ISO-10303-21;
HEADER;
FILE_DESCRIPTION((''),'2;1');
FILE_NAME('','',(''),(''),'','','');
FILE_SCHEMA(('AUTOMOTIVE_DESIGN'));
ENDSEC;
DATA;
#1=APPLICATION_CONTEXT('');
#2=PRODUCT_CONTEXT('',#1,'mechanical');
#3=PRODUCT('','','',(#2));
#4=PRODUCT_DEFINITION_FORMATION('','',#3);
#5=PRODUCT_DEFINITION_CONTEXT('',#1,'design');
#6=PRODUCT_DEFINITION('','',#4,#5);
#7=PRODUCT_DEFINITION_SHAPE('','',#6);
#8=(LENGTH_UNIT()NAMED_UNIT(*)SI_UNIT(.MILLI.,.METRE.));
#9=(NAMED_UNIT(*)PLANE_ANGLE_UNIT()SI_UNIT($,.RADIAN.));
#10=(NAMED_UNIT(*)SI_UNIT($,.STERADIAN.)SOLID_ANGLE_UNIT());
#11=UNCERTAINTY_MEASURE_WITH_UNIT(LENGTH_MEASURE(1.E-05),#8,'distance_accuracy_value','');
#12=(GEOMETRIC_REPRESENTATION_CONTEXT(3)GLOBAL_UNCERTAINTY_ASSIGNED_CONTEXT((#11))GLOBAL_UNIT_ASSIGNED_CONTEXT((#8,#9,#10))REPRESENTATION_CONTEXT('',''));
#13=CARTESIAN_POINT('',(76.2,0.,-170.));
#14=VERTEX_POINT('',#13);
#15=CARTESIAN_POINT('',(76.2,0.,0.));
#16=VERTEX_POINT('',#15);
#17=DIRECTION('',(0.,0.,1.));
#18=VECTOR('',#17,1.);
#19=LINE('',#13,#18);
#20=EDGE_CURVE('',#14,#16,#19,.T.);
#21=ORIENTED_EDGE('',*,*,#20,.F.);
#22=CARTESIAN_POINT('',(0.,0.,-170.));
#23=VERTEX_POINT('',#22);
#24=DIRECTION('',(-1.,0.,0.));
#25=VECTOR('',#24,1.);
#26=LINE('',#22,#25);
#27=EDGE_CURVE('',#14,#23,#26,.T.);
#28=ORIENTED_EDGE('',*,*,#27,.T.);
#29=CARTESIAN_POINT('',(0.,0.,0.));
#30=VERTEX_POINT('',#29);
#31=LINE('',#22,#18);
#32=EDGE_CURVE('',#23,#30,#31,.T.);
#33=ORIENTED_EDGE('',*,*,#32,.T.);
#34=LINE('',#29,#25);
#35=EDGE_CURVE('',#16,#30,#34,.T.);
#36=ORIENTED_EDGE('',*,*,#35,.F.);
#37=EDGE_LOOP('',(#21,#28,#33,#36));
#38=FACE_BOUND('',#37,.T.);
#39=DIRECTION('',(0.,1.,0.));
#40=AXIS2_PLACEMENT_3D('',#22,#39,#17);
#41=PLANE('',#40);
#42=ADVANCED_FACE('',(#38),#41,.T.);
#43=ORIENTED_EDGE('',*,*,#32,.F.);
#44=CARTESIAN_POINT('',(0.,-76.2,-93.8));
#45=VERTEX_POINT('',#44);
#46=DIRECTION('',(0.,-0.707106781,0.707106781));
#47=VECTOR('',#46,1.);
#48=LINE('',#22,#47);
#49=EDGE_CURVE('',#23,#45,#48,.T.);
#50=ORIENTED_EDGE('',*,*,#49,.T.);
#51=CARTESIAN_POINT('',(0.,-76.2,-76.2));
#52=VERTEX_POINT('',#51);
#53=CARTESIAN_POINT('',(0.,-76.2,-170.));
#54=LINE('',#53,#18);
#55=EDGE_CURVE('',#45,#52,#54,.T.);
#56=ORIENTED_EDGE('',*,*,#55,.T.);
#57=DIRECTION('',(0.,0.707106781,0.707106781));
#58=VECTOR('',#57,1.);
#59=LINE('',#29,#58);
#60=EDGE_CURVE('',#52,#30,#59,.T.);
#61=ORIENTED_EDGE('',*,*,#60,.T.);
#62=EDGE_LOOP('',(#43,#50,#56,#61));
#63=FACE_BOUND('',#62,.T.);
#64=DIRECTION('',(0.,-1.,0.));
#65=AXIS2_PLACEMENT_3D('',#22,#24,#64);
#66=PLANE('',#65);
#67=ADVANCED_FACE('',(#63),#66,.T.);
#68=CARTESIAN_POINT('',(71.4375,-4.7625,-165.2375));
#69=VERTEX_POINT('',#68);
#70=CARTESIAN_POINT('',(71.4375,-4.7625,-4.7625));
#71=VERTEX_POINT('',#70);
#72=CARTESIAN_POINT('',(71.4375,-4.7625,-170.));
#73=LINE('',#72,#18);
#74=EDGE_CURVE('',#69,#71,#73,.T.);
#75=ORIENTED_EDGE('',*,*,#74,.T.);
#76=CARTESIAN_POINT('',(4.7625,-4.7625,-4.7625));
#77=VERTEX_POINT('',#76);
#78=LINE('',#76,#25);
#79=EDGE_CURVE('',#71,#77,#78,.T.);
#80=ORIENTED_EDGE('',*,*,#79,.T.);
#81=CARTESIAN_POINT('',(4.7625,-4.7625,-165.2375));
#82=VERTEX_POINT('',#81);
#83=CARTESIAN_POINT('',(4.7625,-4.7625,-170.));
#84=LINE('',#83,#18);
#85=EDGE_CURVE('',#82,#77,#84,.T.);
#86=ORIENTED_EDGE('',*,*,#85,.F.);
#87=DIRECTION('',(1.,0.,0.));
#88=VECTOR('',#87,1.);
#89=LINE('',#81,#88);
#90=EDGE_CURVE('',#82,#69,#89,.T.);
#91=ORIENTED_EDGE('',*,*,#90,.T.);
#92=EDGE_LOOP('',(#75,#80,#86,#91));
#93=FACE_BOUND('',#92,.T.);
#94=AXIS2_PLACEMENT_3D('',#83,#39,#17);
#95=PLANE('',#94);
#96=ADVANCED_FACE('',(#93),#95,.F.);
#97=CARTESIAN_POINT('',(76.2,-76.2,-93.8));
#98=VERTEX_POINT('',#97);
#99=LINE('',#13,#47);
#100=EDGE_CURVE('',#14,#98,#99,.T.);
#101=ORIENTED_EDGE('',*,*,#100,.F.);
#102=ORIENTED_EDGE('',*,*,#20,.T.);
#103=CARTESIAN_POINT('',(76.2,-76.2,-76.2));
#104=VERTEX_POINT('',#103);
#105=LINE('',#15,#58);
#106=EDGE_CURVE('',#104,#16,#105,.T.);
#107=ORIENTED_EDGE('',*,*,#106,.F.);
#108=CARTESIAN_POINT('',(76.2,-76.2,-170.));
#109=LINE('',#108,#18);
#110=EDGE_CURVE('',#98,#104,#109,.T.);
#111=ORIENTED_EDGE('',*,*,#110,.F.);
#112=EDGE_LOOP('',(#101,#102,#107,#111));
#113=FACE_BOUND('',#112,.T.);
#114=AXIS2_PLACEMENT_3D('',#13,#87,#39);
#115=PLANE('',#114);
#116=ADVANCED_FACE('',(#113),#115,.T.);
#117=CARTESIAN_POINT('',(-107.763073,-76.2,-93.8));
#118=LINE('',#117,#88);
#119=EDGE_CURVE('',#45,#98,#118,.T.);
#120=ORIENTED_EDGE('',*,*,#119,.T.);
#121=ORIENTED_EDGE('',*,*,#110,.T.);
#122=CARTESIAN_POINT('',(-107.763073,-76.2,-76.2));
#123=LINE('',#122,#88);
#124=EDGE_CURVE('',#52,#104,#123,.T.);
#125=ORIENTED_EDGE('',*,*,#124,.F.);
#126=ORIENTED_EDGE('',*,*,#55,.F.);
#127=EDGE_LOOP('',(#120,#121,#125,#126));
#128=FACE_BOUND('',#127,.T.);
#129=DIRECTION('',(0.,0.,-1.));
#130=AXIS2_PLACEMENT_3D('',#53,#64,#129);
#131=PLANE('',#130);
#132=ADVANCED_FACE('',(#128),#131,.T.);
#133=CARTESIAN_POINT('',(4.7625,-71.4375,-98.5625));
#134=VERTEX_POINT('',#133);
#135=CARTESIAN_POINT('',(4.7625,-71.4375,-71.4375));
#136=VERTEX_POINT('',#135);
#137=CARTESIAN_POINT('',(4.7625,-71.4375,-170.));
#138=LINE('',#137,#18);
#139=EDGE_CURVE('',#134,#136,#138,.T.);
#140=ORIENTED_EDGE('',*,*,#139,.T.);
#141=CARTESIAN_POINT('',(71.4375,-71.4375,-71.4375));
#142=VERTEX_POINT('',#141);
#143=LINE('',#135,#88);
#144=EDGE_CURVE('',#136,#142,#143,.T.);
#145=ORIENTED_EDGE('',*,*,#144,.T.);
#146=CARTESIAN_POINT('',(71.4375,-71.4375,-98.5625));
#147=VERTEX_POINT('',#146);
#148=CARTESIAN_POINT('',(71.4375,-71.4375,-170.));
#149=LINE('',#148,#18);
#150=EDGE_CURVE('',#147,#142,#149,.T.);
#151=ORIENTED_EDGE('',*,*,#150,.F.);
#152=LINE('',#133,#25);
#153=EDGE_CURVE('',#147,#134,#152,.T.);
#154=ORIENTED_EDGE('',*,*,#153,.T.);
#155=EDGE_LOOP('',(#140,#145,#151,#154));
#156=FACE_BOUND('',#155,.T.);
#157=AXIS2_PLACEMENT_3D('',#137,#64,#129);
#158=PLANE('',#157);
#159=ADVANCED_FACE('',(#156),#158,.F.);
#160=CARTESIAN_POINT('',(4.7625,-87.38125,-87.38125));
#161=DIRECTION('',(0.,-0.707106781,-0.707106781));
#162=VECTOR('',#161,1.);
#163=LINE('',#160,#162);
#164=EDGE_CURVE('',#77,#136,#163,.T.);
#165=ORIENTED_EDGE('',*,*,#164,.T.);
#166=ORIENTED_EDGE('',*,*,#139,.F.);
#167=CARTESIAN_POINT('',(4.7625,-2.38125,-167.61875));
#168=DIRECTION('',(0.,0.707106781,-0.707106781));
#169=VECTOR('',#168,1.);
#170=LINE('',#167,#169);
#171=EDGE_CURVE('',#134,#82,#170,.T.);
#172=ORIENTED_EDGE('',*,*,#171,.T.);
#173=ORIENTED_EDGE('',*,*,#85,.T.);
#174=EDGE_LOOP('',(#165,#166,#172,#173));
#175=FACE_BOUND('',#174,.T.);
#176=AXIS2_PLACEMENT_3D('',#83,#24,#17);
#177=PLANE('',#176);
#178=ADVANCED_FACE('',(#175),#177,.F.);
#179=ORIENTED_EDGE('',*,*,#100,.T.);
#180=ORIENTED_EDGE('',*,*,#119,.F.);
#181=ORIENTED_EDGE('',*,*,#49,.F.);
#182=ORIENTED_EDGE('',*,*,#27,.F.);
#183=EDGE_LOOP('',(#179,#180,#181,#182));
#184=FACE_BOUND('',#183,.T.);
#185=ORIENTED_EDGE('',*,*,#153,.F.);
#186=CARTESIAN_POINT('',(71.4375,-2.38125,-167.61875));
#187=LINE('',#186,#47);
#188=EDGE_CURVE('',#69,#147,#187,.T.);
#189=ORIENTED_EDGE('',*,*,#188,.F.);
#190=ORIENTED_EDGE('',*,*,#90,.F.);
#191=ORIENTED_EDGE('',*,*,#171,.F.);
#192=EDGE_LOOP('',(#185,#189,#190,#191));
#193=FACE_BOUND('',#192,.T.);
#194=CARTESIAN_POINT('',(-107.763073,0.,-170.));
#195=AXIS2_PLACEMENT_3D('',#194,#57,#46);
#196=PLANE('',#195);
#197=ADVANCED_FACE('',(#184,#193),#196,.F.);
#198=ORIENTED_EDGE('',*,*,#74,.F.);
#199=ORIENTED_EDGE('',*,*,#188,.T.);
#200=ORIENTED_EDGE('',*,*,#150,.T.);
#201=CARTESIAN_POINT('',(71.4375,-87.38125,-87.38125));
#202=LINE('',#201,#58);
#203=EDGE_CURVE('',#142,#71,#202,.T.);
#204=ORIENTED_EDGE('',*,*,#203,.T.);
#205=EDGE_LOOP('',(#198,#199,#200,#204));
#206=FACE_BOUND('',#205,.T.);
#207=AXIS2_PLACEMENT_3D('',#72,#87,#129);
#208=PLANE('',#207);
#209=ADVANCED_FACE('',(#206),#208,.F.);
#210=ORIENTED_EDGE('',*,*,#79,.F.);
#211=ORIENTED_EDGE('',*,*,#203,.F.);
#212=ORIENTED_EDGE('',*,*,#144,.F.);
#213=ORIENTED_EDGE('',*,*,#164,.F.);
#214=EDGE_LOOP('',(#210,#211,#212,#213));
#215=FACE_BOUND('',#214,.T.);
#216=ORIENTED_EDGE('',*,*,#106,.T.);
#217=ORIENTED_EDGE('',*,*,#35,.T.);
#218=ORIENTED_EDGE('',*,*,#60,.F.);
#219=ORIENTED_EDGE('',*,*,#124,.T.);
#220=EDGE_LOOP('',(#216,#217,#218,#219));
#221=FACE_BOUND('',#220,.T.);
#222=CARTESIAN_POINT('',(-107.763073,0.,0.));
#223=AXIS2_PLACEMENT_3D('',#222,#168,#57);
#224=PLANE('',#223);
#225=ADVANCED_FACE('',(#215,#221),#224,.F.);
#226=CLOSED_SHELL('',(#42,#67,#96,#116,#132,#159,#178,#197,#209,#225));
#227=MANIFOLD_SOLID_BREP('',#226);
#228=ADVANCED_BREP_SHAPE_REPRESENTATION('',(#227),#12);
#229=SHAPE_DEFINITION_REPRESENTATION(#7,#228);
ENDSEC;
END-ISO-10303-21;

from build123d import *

# Parameters (mm, degrees)
CROQUIS2_W              = 76.2
CROQUIS2_H              = 76.2
CROQUIS2_W_2            = 66.675
CROQUIS2_H_2            = 66.675
SALIENTE_EXTRUIR1_DEPTH = 170
CORTAR_EXTRUIR1_REACH   = 203.278


with BuildPart() as part:
    # Croquis2 → Saliente-Extruir1 (new body)
    with BuildSketch(Plane.XY):
        with Locations((38.1, -38.1)):
            Rectangle(CROQUIS2_W, CROQUIS2_H)
        with Locations((38.1, -38.1)):
            Rectangle(CROQUIS2_W_2, CROQUIS2_H_2, mode=Mode.SUBTRACT)
    extrude(amount=-SALIENTE_EXTRUIR1_DEPTH)

    # Cortar-Extruir1: up to this face of the body (flat: up to its plane)
    cortar_extruir1_end = Plane(part.part.faces().sort_by_distance((0, -38.1, -85))[0])
    # Croquis3 → Cortar-Extruir1 (cut, up to the picked face)
    with BuildSketch(Plane(origin=(76.2, 0, 0), x_dir=(0, 0, -1), z_dir=(1, 0, 0)), mode=Mode.PRIVATE) as cortar_extruir1_sk1:
        Polygon((0, 0), (76.2, -76.2), (0, -76.2), align=None)
    cortar_extruir1_tool1 = split(extrude(cortar_extruir1_sk1.sketch, amount=-CORTAR_EXTRUIR1_REACH, mode=Mode.PRIVATE), bisect_by=cortar_extruir1_end, keep=Keep.BOTH, mode=Mode.PRIVATE)
    # Croquis3 → Cortar-Extruir1 (cut, up to the picked face)
    with BuildSketch(Plane(origin=(76.2, 0, 0), x_dir=(0, 0, -1), z_dir=(1, 0, 0)), mode=Mode.PRIVATE) as cortar_extruir1_sk2:
        Polygon((170, 0), (93.8, -76.2), (170, -76.2), align=None)
    cortar_extruir1_tool2 = split(extrude(cortar_extruir1_sk2.sketch, amount=-CORTAR_EXTRUIR1_REACH, mode=Mode.PRIVATE), bisect_by=cortar_extruir1_end, keep=Keep.BOTH, mode=Mode.PRIVATE)
    add(cortar_extruir1_tool1.solids().sort_by(Axis((76.2, -50.8, -25.4), (-1, 0, 0)))[0], mode=Mode.SUBTRACT)
    add(cortar_extruir1_tool2.solids().sort_by(Axis((76.2, -50.8, -144.6), (-1, 0, 0)))[0], mode=Mode.SUBTRACT)


solid = part.part
